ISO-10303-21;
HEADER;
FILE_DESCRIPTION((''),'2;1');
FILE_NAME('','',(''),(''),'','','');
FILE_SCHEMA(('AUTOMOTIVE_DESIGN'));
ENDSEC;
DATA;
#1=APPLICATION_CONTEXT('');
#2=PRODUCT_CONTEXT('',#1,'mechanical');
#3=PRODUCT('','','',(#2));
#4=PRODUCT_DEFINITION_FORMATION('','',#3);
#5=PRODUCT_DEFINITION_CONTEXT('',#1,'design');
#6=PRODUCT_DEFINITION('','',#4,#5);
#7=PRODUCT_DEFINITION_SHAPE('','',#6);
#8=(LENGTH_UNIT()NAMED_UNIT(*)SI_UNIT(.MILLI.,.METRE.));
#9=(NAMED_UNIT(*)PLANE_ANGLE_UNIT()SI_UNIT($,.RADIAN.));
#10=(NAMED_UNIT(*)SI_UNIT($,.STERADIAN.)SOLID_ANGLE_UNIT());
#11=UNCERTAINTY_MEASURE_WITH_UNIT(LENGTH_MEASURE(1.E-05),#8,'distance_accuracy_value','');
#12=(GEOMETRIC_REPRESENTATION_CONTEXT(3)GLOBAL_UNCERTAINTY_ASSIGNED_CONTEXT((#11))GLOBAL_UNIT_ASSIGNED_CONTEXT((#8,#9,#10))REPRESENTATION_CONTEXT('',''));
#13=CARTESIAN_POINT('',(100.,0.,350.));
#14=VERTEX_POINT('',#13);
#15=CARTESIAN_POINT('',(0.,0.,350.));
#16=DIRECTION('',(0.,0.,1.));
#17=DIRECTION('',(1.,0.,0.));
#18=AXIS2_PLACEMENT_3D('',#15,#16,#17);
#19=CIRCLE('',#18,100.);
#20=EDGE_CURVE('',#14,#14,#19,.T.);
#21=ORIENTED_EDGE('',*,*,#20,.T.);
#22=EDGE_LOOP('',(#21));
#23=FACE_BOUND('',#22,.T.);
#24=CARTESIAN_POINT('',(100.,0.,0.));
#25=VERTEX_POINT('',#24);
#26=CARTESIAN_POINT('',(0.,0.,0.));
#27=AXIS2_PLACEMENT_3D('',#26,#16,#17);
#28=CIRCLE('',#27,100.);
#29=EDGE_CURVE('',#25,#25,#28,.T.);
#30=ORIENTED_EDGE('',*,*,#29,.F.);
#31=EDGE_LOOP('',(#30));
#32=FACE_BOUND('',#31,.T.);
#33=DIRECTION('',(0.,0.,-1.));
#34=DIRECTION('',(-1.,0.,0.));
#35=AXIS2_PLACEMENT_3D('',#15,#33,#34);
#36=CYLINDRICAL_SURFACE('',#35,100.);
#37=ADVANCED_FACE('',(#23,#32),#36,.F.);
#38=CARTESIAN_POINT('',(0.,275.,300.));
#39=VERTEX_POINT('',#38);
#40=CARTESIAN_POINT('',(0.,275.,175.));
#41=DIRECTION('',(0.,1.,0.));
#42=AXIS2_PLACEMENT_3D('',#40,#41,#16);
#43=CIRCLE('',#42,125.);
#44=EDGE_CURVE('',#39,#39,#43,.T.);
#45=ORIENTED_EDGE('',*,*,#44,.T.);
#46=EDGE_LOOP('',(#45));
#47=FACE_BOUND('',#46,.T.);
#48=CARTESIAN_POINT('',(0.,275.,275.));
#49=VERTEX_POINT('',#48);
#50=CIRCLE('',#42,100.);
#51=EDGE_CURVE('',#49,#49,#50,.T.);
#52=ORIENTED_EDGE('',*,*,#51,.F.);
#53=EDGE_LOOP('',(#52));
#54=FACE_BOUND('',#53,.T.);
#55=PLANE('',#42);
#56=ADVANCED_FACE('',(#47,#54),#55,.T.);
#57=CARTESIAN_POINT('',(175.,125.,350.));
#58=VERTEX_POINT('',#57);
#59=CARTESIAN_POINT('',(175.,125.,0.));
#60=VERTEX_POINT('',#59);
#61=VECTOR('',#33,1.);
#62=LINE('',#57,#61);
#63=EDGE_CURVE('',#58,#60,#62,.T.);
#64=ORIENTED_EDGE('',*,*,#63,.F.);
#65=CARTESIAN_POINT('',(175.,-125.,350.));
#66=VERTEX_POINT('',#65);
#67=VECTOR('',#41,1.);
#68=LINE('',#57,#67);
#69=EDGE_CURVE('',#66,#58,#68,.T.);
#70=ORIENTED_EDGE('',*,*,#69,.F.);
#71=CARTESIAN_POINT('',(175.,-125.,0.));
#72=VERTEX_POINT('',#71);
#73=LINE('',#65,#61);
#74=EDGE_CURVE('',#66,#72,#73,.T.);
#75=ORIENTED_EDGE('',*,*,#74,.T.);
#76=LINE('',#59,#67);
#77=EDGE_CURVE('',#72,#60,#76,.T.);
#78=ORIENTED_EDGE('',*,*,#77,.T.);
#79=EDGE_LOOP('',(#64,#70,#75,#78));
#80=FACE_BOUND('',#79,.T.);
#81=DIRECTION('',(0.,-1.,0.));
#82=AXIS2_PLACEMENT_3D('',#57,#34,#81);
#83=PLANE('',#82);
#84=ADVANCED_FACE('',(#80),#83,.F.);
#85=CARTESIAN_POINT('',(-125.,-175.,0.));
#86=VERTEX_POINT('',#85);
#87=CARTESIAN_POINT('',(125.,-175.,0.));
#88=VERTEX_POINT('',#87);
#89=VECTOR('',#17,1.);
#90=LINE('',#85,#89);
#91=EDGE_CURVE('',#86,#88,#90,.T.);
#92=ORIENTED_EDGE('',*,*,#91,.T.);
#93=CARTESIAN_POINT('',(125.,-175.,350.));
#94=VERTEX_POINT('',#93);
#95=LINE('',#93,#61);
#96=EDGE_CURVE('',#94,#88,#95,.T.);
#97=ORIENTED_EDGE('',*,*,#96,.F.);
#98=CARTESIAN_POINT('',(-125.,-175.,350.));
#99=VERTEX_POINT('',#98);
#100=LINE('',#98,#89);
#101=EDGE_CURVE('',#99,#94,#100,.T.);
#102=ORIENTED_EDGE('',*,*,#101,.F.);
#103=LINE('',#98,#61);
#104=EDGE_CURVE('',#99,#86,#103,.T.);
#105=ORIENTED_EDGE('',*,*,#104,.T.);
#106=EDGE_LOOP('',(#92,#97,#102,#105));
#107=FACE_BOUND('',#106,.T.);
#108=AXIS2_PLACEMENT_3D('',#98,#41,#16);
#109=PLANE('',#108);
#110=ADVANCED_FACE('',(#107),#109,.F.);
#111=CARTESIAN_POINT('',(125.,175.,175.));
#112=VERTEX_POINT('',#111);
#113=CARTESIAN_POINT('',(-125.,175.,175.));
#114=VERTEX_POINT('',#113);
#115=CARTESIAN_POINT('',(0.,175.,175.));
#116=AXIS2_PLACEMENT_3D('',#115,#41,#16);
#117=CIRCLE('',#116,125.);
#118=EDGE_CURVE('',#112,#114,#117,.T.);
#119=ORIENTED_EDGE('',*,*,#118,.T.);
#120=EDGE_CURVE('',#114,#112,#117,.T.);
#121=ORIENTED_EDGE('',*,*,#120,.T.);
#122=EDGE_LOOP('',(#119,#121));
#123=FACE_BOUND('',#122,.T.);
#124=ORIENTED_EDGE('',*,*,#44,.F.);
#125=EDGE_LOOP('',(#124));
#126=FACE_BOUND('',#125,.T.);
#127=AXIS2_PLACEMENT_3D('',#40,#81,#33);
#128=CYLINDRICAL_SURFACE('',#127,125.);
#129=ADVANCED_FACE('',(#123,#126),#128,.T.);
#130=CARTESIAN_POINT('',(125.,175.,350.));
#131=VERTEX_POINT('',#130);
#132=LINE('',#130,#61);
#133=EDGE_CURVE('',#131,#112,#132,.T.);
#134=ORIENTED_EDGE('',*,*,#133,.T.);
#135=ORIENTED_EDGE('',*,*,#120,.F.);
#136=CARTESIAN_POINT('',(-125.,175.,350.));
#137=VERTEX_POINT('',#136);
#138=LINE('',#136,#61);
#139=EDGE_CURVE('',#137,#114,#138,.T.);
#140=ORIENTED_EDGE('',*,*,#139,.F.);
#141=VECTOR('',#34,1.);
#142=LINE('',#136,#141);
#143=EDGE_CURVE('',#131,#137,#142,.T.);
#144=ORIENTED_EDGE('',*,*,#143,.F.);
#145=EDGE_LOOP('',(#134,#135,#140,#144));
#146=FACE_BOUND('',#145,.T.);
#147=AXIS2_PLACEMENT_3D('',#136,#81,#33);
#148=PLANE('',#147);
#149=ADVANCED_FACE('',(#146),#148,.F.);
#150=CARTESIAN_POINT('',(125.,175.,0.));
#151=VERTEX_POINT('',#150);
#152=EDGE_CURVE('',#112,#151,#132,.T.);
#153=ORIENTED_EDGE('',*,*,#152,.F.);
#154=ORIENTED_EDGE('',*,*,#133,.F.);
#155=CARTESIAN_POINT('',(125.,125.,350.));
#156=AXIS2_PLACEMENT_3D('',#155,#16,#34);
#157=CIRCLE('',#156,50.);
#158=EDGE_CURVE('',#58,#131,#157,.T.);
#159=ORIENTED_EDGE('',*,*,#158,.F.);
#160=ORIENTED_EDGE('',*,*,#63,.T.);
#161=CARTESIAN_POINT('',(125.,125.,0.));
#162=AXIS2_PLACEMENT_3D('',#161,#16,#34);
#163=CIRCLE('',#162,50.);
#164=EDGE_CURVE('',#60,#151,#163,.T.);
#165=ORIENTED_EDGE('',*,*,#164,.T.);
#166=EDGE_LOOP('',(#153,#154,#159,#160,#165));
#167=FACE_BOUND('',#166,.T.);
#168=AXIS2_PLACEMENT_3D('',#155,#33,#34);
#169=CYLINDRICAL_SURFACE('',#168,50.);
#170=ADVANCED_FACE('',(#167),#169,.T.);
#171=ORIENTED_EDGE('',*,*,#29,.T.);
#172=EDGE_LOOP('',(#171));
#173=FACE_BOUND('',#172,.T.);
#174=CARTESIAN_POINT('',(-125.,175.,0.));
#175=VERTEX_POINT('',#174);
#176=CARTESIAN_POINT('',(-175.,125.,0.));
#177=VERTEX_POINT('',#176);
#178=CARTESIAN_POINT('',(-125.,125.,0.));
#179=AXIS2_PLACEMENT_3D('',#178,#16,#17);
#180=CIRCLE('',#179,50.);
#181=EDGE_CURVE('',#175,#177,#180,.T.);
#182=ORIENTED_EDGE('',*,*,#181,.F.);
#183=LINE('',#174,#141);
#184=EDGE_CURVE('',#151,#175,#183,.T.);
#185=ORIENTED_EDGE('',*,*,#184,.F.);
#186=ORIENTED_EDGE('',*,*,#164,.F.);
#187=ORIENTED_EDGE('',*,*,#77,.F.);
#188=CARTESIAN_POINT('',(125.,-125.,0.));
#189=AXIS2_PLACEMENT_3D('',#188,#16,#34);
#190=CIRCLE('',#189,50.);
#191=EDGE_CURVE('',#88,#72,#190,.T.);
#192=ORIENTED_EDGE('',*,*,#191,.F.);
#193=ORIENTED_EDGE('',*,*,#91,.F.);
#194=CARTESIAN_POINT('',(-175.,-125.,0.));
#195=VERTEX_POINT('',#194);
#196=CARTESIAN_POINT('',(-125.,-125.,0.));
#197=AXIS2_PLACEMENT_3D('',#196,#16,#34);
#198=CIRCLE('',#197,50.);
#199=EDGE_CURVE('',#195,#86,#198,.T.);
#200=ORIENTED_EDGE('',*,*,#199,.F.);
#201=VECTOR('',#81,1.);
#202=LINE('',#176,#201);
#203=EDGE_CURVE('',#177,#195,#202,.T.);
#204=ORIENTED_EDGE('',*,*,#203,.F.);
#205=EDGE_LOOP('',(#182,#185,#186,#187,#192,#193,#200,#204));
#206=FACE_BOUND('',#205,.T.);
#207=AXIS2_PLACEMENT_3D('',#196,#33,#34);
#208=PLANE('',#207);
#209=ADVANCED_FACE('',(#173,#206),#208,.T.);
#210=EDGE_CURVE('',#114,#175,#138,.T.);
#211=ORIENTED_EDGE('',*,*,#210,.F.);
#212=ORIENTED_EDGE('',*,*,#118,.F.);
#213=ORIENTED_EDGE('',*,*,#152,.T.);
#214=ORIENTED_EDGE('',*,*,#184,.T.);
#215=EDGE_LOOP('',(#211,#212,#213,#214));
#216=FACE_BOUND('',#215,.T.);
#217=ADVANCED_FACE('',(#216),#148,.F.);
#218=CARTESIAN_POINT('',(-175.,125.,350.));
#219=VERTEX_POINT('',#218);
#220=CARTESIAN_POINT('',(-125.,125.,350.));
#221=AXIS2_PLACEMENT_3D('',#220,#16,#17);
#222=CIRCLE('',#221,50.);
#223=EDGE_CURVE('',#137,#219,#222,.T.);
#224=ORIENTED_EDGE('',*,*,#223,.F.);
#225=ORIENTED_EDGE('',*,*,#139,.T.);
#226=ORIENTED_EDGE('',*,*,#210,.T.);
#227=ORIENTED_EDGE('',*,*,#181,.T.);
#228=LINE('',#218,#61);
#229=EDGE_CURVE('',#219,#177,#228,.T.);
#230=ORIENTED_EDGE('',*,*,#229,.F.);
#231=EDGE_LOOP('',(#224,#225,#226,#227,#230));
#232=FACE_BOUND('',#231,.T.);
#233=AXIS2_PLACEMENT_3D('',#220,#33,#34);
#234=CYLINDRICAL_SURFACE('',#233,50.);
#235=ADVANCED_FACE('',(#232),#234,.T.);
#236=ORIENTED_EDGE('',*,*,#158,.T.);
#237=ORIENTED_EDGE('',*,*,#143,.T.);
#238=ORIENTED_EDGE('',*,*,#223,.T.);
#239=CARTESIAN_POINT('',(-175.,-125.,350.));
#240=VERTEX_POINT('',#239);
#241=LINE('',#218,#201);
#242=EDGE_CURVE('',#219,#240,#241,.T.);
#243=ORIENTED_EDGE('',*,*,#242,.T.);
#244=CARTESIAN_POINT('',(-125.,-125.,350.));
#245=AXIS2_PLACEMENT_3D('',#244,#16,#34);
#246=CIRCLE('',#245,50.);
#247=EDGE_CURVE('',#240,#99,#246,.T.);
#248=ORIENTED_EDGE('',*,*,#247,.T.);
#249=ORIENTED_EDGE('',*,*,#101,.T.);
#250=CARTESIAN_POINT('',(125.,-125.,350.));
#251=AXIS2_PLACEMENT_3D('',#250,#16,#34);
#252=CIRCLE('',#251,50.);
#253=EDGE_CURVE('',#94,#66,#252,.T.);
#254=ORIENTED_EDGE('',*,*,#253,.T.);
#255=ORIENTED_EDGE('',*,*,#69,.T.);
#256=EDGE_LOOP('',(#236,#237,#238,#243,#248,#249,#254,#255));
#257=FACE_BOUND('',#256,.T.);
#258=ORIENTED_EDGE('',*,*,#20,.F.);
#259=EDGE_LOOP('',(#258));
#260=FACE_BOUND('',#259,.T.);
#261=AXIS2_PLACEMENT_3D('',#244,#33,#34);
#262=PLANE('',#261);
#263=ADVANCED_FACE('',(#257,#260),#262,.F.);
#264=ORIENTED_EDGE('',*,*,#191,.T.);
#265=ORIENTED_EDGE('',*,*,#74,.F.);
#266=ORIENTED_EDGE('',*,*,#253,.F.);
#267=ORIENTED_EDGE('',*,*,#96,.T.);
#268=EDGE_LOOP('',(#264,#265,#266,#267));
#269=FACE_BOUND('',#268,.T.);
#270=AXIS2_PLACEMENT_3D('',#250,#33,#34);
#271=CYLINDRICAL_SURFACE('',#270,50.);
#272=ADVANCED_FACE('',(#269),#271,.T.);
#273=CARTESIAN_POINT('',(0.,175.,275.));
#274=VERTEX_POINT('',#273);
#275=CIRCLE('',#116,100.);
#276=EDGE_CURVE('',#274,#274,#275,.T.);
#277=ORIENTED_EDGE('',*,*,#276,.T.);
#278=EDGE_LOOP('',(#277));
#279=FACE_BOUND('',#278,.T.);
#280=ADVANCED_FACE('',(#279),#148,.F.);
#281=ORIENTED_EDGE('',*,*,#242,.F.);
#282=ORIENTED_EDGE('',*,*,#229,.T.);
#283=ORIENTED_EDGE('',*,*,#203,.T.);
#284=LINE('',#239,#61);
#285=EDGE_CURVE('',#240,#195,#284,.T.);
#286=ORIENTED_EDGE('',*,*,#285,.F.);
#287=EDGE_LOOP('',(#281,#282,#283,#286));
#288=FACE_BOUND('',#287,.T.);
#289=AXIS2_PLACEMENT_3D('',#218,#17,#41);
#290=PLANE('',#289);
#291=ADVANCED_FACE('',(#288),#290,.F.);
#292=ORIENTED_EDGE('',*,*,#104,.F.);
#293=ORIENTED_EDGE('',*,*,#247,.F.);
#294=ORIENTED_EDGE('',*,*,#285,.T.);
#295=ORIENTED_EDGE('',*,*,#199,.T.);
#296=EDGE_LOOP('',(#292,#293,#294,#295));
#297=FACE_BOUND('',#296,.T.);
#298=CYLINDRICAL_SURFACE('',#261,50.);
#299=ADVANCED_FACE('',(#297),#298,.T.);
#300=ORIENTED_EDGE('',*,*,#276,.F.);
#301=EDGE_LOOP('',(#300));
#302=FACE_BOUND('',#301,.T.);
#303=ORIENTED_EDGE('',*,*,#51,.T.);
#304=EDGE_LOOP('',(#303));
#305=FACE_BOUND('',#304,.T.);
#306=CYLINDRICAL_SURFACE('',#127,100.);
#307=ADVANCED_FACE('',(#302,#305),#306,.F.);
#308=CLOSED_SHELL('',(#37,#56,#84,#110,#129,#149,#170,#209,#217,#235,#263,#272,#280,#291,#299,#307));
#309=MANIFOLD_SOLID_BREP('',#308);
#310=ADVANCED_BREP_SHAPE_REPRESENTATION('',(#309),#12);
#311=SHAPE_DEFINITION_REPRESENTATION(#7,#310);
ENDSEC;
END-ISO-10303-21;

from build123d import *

# Parameters (mm, degrees)
SKETCH1_R           = 100
BOSS_EXTRUDE1_DEPTH = 350
SKETCH2_R           = 125
SKETCH2_R_2         = 100
BOSS_EXTRUDE2_DEPTH = 100


with BuildPart() as part:
    # Sketch1 → Boss-Extrude1 (new body)
    with BuildSketch(Plane.XY):
        with BuildLine():
            Line((-125, 175), (125, 175))
            ThreePointArc((125, 175), (160.355339059, 160.355339059), (175, 125))
            Line((175, 125), (175, -125))
            ThreePointArc((175, -125), (160.355339059, -160.355339059), (125, -175))
            Line((125, -175), (-125, -175))
            ThreePointArc((-125, -175), (-160.355339059, -160.355339059), (-175, -125))
            Line((-175, -125), (-175, 125))
            ThreePointArc((-175, 125), (-160.355339059, 160.355339059), (-125, 175))
        make_face()
        Circle(SKETCH1_R, mode=Mode.SUBTRACT)
    extrude(amount=BOSS_EXTRUDE1_DEPTH)

    # Sketch2 → Boss-Extrude2 (add)
    with BuildSketch(Plane(origin=(0, 175, 0), x_dir=(1, 0, 0), z_dir=(0, 1, 0))):
        with Locations(Location((0, -175, 0), (0, 0, 180))):
            Circle(SKETCH2_R)
        with Locations(Location((0, -175, 0), (0, 0, 270))):
            Circle(SKETCH2_R_2, mode=Mode.SUBTRACT)
    extrude(amount=BOSS_EXTRUDE2_DEPTH)


solid = part.part
